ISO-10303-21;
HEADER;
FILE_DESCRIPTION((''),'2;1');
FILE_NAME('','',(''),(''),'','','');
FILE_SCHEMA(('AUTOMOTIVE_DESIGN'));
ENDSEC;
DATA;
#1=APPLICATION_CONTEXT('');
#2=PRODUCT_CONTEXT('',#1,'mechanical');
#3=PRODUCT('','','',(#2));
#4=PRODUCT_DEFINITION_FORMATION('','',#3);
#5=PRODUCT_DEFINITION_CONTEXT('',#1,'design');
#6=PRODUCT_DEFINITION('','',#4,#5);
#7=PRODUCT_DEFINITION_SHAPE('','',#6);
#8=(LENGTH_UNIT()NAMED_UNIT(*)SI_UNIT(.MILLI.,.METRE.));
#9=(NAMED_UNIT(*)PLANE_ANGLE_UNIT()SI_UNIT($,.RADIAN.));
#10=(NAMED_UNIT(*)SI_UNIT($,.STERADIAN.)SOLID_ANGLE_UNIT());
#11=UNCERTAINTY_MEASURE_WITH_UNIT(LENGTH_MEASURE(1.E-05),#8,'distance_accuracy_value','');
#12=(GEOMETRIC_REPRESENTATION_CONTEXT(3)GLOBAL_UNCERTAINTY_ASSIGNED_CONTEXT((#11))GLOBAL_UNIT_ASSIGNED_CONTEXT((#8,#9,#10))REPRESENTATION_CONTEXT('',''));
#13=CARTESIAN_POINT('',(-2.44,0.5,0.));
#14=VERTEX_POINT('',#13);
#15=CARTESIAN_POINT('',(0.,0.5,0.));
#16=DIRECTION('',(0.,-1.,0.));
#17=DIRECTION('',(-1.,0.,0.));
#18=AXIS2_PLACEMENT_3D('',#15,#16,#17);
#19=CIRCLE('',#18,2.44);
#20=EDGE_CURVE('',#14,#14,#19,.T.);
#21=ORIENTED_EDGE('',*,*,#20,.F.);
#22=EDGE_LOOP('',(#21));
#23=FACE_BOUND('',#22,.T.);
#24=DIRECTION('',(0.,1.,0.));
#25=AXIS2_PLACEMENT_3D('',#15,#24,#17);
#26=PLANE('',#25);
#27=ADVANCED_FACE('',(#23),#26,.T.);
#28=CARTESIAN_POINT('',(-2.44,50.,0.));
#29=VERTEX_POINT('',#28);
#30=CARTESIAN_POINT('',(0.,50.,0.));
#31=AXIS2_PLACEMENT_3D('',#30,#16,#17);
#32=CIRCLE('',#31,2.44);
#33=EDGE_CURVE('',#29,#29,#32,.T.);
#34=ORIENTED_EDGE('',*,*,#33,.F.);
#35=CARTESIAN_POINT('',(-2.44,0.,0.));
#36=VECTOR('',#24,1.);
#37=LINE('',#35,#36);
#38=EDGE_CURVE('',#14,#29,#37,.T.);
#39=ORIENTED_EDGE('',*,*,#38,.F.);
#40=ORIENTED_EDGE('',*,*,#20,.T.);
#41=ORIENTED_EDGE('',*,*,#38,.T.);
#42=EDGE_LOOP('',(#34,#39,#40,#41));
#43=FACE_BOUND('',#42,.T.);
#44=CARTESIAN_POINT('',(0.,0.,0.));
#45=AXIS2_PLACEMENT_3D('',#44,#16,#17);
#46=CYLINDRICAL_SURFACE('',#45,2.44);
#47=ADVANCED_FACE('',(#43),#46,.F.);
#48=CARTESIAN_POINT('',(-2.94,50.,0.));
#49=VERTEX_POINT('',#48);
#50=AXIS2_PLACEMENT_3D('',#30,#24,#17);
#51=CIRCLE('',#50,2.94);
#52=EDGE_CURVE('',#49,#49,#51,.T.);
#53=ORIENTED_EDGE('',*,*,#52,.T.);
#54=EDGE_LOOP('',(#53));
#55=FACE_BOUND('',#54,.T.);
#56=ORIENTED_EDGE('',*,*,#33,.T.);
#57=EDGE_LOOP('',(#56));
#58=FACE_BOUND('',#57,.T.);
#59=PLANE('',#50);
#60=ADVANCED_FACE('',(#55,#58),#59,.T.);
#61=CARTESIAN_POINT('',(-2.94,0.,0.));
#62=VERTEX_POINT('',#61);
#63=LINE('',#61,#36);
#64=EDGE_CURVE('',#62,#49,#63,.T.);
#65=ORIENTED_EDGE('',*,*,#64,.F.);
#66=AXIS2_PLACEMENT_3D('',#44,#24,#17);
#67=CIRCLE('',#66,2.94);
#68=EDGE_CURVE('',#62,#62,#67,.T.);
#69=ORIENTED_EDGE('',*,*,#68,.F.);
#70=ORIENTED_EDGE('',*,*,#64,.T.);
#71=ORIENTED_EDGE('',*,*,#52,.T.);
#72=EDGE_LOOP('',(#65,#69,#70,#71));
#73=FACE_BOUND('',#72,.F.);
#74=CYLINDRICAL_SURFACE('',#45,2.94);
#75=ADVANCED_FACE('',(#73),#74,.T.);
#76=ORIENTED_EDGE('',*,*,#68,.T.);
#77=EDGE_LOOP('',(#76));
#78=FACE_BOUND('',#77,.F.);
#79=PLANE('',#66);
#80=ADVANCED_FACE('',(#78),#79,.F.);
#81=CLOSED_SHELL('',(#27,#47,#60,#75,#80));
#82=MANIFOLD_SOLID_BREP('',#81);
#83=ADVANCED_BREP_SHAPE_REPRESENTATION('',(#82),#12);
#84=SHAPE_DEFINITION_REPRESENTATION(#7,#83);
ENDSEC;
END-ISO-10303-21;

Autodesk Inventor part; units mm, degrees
ref_plane "YZ Plane" through (0, 0, 0) normal (1, 0, 0) x (0, 1, 0)
ref_plane "XZ Plane" through (0, 0, 0) normal (0, 1, 0) x (-1, 0, 0)
ref_plane "XY Plane" through (0, 0, 0) normal (0, 0, 1) x (1, 0, 0)
sketch "Sketch1" plane through (0, 0, 0) normal (0, 1, 0) x (-1, 0, 0)
  circle A0 centre (0, 0) radius 2.94
  dimension "d0" = 5.88
extrude "Extrusion1" add sketch "Sketch1" along normal blind 50
shell "Shell1" thickness 0.5 removed faces 1 at (-0.5993, 50, -0.4554)
properties part number "Steel Tube"
